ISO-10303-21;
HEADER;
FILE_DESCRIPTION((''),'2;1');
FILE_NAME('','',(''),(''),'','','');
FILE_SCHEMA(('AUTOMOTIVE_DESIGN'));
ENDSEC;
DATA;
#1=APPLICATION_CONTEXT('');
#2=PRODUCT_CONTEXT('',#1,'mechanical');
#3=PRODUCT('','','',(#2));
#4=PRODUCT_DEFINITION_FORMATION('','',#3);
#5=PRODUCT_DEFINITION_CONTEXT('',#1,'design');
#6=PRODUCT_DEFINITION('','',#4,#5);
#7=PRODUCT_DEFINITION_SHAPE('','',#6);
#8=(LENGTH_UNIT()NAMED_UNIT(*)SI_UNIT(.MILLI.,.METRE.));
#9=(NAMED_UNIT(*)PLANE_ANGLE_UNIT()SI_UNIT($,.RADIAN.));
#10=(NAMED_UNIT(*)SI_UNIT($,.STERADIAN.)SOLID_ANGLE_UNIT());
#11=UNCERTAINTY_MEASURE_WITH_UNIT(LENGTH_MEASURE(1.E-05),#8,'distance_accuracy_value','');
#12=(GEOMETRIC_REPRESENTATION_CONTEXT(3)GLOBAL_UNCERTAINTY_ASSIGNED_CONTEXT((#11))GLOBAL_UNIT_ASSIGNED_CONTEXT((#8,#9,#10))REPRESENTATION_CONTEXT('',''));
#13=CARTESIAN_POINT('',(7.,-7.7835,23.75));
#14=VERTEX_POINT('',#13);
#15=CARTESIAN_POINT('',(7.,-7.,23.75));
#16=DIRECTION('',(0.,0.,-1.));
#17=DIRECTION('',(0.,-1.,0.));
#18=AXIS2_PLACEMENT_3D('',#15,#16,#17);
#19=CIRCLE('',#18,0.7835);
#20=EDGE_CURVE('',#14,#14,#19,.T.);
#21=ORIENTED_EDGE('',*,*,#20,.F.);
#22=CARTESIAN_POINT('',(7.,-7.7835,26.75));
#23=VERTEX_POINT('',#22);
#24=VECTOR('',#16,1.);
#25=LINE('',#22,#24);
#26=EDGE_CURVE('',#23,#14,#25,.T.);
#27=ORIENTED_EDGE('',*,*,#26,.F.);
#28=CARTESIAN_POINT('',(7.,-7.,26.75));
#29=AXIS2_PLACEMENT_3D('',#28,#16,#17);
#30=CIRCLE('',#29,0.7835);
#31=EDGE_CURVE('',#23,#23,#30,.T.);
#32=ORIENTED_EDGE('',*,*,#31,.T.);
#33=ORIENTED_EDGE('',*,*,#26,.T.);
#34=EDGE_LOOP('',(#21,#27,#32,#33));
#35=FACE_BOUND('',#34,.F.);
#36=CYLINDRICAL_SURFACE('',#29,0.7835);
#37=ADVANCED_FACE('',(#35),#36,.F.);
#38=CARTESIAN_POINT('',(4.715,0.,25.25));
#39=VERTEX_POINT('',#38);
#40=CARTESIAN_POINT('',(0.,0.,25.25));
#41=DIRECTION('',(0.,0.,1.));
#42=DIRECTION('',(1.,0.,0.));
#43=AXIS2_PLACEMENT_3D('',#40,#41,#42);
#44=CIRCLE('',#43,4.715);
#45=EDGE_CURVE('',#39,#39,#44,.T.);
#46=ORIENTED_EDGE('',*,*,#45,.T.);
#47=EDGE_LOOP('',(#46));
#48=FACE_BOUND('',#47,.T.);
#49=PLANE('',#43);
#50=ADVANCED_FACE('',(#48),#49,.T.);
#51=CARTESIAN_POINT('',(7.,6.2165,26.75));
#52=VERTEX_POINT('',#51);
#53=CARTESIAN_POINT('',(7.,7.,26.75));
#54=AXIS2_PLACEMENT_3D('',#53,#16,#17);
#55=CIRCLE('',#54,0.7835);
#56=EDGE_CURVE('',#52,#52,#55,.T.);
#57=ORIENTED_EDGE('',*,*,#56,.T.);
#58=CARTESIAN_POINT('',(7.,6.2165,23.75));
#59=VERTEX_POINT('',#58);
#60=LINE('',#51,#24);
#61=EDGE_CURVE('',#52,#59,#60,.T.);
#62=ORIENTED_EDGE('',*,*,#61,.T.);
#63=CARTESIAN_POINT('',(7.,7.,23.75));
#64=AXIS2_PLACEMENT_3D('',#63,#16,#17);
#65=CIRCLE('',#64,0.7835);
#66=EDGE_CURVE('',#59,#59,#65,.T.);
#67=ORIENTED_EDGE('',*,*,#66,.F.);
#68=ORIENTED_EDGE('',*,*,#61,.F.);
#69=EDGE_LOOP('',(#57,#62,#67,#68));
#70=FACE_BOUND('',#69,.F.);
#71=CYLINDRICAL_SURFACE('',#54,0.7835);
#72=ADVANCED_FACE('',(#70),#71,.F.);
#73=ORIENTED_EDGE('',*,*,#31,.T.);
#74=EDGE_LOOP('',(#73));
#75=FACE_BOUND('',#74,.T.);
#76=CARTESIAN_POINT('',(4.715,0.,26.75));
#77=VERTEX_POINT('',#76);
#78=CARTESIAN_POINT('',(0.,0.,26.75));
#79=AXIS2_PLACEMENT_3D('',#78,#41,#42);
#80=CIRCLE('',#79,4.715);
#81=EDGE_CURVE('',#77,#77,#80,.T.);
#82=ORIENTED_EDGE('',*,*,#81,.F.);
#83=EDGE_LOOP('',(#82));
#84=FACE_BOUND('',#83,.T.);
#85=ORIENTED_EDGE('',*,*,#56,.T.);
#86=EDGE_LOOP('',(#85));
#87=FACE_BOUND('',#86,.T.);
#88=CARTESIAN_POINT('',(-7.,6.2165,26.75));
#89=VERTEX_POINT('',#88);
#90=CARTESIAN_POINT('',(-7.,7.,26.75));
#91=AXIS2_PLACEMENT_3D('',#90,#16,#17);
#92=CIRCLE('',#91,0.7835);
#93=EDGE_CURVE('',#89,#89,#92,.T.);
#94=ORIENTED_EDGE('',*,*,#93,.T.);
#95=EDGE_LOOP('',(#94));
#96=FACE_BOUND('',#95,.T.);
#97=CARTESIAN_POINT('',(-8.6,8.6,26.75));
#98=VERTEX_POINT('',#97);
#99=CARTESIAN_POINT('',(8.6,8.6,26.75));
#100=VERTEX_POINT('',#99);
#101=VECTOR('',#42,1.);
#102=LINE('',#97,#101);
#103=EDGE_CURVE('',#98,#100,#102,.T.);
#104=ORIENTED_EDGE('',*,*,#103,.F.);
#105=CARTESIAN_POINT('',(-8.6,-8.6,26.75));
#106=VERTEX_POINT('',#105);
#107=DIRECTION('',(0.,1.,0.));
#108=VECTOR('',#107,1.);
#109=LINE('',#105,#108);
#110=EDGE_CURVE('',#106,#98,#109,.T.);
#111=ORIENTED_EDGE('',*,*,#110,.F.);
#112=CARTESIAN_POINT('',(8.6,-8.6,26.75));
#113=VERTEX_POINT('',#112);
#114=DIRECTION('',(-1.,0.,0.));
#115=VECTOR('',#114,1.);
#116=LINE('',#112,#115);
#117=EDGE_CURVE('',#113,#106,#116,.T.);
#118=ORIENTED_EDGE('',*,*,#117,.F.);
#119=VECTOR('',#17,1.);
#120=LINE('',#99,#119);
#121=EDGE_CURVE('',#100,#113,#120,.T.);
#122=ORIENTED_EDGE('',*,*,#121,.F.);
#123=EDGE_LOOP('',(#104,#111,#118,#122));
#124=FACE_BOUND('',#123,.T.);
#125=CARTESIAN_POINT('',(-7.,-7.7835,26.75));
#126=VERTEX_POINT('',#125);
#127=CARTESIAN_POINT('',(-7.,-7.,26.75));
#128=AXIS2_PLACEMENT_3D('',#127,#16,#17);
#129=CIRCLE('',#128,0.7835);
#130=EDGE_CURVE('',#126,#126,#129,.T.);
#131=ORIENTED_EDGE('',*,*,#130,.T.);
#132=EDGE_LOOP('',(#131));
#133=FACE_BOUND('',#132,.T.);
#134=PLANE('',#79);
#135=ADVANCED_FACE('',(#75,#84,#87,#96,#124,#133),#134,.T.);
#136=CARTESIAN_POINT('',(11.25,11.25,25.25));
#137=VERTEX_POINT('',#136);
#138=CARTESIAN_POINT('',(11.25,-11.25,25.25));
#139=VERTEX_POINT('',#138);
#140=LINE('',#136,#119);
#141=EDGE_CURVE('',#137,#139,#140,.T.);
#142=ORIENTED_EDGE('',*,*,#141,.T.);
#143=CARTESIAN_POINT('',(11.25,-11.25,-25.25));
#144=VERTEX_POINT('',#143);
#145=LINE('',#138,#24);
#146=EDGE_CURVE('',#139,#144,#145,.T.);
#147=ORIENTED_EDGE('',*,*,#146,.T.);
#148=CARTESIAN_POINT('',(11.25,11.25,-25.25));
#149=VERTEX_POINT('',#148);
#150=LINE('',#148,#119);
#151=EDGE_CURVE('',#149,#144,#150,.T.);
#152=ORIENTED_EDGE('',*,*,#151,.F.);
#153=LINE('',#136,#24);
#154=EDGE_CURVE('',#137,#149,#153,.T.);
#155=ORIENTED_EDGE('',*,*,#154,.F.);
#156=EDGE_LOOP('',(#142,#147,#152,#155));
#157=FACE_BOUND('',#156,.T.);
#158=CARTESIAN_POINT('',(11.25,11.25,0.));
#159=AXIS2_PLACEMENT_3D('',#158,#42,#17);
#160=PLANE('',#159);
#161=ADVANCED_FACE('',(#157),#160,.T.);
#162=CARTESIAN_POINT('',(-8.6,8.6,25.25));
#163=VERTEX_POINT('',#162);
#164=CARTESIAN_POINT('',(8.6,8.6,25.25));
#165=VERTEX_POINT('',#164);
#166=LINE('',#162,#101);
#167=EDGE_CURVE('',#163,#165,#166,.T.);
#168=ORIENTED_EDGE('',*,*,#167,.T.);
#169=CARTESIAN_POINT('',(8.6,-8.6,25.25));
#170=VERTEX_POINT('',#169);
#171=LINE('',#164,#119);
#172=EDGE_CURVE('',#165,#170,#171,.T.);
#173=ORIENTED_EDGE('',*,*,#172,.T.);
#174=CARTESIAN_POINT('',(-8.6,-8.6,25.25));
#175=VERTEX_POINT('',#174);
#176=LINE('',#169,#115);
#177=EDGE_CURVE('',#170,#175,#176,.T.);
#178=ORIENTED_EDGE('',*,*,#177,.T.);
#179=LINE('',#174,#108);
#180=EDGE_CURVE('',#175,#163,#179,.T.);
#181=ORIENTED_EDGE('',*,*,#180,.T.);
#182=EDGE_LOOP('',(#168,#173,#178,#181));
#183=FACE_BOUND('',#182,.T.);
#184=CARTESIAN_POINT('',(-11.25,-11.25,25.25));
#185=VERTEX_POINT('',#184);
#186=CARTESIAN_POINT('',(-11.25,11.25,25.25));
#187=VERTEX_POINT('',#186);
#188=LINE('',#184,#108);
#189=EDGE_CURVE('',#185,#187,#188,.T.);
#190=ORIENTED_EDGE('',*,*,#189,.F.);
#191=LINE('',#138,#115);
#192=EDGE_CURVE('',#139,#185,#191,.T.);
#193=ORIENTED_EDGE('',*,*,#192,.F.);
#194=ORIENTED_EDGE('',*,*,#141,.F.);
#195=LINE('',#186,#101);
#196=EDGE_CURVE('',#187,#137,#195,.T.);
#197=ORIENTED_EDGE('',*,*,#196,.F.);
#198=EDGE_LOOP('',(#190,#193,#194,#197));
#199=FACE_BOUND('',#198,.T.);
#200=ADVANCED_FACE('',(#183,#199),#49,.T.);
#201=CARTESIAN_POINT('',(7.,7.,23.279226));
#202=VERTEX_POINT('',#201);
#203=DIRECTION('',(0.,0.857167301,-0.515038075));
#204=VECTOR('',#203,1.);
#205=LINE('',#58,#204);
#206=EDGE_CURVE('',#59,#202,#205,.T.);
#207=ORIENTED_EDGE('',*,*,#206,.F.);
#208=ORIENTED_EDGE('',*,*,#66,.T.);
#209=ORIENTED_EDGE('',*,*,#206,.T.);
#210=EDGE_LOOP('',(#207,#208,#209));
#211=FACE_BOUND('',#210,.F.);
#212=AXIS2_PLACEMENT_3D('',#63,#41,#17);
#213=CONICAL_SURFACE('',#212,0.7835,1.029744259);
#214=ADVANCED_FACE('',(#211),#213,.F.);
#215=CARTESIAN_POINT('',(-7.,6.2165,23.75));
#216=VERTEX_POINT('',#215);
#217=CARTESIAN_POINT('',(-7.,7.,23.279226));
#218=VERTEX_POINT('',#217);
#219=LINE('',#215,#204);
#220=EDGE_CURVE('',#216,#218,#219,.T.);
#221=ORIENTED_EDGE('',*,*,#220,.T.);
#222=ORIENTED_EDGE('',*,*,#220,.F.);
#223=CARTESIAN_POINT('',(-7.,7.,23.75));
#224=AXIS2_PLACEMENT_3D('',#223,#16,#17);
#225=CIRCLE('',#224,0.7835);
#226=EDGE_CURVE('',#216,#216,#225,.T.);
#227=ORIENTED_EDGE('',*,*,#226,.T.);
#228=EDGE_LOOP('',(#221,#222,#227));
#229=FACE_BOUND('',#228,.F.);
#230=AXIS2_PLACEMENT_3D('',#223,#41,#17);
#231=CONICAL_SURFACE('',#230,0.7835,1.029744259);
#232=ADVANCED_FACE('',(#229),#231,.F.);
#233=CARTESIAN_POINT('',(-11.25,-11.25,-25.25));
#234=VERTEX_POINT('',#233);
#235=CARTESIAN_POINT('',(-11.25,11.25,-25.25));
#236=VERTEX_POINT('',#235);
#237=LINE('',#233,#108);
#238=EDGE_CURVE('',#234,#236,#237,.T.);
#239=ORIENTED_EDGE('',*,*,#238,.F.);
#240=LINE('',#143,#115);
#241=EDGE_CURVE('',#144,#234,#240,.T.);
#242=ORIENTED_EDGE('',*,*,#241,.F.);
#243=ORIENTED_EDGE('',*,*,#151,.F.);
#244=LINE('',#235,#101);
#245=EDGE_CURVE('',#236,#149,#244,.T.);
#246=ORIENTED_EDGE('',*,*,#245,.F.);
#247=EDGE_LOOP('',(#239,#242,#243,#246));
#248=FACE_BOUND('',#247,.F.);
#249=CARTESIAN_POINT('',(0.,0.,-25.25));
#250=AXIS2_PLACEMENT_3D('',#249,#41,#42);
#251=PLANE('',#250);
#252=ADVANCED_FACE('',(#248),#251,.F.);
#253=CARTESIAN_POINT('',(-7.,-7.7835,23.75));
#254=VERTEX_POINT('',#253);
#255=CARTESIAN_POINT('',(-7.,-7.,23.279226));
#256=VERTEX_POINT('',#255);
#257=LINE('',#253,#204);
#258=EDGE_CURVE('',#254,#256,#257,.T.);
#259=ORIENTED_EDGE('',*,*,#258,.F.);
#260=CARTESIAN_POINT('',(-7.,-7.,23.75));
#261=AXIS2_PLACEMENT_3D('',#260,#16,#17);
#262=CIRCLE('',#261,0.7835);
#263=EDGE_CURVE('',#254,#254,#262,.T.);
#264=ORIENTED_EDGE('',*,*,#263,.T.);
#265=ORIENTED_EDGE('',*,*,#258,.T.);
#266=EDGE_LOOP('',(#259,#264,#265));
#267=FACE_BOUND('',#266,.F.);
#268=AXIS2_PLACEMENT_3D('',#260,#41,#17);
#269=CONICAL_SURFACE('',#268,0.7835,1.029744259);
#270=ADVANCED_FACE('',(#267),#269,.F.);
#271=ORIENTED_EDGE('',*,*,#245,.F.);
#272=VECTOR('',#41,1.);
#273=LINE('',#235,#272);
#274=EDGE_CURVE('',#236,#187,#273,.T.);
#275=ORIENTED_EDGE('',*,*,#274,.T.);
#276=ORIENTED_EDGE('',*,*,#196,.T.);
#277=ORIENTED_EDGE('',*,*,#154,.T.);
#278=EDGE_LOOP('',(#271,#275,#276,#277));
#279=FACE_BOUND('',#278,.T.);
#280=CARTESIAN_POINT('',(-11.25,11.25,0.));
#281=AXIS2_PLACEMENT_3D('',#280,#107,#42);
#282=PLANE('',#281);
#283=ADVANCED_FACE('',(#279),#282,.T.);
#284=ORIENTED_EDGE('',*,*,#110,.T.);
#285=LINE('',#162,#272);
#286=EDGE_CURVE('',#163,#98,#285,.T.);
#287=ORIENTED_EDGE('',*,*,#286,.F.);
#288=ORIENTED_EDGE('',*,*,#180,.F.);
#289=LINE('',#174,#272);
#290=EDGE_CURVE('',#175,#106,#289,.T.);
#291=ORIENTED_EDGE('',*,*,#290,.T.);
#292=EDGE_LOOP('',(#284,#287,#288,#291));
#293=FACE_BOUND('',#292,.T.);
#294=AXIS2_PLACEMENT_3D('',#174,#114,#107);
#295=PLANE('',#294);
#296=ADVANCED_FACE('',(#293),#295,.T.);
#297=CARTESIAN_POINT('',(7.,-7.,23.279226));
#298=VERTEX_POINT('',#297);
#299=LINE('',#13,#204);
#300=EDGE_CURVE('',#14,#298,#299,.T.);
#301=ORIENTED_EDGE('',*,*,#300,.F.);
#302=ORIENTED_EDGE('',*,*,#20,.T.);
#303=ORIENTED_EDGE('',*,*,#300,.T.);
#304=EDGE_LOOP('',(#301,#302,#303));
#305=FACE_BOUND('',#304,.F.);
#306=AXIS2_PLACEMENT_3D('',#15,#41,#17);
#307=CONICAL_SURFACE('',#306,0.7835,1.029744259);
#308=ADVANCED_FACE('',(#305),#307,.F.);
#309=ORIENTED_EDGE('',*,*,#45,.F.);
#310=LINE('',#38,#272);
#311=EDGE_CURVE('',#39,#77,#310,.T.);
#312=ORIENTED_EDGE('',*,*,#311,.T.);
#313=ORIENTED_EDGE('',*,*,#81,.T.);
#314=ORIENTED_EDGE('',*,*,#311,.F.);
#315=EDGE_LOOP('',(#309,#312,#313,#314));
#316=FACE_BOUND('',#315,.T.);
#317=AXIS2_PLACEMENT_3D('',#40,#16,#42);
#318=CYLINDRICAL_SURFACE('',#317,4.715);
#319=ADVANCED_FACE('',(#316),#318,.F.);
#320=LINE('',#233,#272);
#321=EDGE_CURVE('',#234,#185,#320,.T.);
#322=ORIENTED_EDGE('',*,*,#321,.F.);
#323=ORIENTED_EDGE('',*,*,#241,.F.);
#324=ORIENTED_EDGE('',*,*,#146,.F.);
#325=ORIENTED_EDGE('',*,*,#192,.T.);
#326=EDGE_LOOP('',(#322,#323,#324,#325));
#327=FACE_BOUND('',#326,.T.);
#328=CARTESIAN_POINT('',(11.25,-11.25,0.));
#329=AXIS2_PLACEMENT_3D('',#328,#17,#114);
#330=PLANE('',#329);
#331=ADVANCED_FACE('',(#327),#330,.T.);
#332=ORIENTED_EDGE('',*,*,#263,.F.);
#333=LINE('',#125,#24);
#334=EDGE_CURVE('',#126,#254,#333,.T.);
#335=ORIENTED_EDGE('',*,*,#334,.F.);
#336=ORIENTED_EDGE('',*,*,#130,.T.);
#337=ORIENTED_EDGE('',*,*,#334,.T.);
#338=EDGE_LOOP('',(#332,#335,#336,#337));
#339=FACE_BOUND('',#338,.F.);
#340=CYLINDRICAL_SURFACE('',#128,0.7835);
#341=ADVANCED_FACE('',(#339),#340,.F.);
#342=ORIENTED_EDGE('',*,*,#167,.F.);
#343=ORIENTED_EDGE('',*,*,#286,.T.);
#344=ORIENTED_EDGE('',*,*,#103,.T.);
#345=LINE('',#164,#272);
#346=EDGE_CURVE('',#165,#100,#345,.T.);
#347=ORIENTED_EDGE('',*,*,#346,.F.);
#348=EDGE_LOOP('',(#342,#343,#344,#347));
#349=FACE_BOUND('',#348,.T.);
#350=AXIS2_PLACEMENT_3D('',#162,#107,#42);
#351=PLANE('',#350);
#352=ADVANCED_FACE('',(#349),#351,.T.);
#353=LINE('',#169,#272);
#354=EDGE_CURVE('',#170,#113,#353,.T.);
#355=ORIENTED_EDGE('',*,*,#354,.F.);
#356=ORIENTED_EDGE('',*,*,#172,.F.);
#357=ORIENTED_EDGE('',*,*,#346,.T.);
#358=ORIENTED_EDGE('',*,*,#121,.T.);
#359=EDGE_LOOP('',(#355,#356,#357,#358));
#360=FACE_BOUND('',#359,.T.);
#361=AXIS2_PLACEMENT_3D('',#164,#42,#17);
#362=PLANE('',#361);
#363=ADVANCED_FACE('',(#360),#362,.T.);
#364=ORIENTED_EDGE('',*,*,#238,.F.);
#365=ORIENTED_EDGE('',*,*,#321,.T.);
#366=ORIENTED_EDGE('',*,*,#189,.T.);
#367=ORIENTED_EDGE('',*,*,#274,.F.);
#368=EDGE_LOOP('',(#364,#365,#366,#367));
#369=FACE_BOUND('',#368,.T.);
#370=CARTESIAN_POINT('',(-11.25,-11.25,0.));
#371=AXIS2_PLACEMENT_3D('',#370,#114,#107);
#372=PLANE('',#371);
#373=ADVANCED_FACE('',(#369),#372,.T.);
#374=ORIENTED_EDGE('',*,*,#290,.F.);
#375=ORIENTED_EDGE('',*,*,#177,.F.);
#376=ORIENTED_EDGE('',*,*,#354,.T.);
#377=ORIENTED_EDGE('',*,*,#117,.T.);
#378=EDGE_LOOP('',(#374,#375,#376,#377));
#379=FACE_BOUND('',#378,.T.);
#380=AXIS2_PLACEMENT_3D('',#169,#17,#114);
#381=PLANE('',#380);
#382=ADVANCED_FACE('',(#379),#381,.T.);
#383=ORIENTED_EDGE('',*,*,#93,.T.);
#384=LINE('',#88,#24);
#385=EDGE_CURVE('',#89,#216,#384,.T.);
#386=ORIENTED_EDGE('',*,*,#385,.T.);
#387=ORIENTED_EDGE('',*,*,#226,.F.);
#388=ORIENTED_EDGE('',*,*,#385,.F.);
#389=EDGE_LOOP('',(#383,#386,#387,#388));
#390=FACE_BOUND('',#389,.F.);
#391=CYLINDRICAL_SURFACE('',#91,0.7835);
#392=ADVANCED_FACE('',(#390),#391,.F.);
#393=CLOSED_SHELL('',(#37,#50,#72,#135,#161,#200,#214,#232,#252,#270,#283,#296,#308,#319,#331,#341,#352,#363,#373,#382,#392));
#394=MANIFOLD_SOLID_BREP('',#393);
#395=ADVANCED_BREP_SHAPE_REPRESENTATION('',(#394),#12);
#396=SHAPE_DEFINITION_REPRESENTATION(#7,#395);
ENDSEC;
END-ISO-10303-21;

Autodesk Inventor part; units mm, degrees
ref_plane "YZ Plane" through (0, 0, 0) normal (1, 0, 0) x (0, 1, 0)
ref_plane "XZ Plane" through (0, 0, 0) normal (0, 1, 0) x (-1, 0, 0)
ref_plane "XY Plane" through (0, 0, 0) normal (0, 0, 1) x (1, 0, 0)
sketch "Sketch1" plane through (0, 0, 0) normal (0, 0, 1) x (1, 0, 0)
  line L0 (-11.25, 11.25) -> (11.25, 11.25)
  line L1 (11.25, 11.25) -> (11.25, -11.25)
  line L2 (11.25, -11.25) -> (-11.25, -11.25)
  line L3 (-11.25, -11.25) -> (-11.25, 11.25)
  line L4 (-11.25, 11.25) -> (11.25, -11.25) construction
  line L5 (11.25, 11.25) -> (-11.25, -11.25) construction
  point P0 (0, 0)
  dimension "d0" = 22.5
  dimension "d1" = 22.5
extrude "Extrusion1" add sketch "Sketch1" along normal mid plane 50.5
sketch "Sketch8" plane through (0, 0, 25.25) normal (0, 0, 1) x (1, 0, 0)
  line L0 (-8.6, 8.6) -> (8.6, 8.6)
  line L1 (8.6, 8.6) -> (8.6, -8.6)
  line L2 (8.6, -8.6) -> (-8.6, -8.6)
  line L3 (-8.6, -8.6) -> (-8.6, 8.6)
  line L4 (-8.6, 8.6) -> (8.6, -8.6) construction
  line L5 (8.6, 8.6) -> (-8.6, -8.6) construction
  circle A0 centre (0, 0) radius 4.715
  dimension "d41" = 17.2
  dimension "d42" = 17.2
  dimension "d43" = 9.43
extrude "Extrusion4" add sketch "Sketch8" along normal blind 1.5
sketch "Sketch9" plane through (0, 0, 26.75) normal (0, 0, 1) x (1, 0, 0)
  line L0 (-8.6, -8.6) -> (8.6, -8.6) projected
  line L1 (8.6, -8.6) -> (8.6, 8.6) projected
  line L2 (8.6, 8.6) -> (-8.6, 8.6) projected
  line L3 (-8.6, 8.6) -> (-8.6, -8.6) projected
  circle A0 centre (0, 0) radius 4.715 projected
  line L4 (-8.6, -8.6) -> (8.6, -8.6) projected
  line L5 (8.6, -8.6) -> (8.6, 8.6) projected
  line L6 (8.6, 8.6) -> (-8.6, 8.6) projected
  line L7 (-8.6, 8.6) -> (-8.6, -8.6) projected
  circle A1 centre (0, 0) radius 4.715 projected
  point P0 (-7, 7)
  point P1 (7, 7)
  point P2 (-7, -7)
  point P3 (7, -7)
  dimension "d48" = 14
  dimension "d51" = 14
  dimension "d54" = 7
  dimension "d55" = 7
hole "Hole3" at (-7, 7, 26.75) at (7, 7, 26.75) at (-7, -7, 26.75) at (7, -7, 26.75) direction (0, 0, -1) diameter 1.567 depth 3 tip angle 118 thread size "M2x0.4" class "6H" standard "ANSI Metric M Profile"
equation "\"d42\" = d41"
properties part number "toppmt"
